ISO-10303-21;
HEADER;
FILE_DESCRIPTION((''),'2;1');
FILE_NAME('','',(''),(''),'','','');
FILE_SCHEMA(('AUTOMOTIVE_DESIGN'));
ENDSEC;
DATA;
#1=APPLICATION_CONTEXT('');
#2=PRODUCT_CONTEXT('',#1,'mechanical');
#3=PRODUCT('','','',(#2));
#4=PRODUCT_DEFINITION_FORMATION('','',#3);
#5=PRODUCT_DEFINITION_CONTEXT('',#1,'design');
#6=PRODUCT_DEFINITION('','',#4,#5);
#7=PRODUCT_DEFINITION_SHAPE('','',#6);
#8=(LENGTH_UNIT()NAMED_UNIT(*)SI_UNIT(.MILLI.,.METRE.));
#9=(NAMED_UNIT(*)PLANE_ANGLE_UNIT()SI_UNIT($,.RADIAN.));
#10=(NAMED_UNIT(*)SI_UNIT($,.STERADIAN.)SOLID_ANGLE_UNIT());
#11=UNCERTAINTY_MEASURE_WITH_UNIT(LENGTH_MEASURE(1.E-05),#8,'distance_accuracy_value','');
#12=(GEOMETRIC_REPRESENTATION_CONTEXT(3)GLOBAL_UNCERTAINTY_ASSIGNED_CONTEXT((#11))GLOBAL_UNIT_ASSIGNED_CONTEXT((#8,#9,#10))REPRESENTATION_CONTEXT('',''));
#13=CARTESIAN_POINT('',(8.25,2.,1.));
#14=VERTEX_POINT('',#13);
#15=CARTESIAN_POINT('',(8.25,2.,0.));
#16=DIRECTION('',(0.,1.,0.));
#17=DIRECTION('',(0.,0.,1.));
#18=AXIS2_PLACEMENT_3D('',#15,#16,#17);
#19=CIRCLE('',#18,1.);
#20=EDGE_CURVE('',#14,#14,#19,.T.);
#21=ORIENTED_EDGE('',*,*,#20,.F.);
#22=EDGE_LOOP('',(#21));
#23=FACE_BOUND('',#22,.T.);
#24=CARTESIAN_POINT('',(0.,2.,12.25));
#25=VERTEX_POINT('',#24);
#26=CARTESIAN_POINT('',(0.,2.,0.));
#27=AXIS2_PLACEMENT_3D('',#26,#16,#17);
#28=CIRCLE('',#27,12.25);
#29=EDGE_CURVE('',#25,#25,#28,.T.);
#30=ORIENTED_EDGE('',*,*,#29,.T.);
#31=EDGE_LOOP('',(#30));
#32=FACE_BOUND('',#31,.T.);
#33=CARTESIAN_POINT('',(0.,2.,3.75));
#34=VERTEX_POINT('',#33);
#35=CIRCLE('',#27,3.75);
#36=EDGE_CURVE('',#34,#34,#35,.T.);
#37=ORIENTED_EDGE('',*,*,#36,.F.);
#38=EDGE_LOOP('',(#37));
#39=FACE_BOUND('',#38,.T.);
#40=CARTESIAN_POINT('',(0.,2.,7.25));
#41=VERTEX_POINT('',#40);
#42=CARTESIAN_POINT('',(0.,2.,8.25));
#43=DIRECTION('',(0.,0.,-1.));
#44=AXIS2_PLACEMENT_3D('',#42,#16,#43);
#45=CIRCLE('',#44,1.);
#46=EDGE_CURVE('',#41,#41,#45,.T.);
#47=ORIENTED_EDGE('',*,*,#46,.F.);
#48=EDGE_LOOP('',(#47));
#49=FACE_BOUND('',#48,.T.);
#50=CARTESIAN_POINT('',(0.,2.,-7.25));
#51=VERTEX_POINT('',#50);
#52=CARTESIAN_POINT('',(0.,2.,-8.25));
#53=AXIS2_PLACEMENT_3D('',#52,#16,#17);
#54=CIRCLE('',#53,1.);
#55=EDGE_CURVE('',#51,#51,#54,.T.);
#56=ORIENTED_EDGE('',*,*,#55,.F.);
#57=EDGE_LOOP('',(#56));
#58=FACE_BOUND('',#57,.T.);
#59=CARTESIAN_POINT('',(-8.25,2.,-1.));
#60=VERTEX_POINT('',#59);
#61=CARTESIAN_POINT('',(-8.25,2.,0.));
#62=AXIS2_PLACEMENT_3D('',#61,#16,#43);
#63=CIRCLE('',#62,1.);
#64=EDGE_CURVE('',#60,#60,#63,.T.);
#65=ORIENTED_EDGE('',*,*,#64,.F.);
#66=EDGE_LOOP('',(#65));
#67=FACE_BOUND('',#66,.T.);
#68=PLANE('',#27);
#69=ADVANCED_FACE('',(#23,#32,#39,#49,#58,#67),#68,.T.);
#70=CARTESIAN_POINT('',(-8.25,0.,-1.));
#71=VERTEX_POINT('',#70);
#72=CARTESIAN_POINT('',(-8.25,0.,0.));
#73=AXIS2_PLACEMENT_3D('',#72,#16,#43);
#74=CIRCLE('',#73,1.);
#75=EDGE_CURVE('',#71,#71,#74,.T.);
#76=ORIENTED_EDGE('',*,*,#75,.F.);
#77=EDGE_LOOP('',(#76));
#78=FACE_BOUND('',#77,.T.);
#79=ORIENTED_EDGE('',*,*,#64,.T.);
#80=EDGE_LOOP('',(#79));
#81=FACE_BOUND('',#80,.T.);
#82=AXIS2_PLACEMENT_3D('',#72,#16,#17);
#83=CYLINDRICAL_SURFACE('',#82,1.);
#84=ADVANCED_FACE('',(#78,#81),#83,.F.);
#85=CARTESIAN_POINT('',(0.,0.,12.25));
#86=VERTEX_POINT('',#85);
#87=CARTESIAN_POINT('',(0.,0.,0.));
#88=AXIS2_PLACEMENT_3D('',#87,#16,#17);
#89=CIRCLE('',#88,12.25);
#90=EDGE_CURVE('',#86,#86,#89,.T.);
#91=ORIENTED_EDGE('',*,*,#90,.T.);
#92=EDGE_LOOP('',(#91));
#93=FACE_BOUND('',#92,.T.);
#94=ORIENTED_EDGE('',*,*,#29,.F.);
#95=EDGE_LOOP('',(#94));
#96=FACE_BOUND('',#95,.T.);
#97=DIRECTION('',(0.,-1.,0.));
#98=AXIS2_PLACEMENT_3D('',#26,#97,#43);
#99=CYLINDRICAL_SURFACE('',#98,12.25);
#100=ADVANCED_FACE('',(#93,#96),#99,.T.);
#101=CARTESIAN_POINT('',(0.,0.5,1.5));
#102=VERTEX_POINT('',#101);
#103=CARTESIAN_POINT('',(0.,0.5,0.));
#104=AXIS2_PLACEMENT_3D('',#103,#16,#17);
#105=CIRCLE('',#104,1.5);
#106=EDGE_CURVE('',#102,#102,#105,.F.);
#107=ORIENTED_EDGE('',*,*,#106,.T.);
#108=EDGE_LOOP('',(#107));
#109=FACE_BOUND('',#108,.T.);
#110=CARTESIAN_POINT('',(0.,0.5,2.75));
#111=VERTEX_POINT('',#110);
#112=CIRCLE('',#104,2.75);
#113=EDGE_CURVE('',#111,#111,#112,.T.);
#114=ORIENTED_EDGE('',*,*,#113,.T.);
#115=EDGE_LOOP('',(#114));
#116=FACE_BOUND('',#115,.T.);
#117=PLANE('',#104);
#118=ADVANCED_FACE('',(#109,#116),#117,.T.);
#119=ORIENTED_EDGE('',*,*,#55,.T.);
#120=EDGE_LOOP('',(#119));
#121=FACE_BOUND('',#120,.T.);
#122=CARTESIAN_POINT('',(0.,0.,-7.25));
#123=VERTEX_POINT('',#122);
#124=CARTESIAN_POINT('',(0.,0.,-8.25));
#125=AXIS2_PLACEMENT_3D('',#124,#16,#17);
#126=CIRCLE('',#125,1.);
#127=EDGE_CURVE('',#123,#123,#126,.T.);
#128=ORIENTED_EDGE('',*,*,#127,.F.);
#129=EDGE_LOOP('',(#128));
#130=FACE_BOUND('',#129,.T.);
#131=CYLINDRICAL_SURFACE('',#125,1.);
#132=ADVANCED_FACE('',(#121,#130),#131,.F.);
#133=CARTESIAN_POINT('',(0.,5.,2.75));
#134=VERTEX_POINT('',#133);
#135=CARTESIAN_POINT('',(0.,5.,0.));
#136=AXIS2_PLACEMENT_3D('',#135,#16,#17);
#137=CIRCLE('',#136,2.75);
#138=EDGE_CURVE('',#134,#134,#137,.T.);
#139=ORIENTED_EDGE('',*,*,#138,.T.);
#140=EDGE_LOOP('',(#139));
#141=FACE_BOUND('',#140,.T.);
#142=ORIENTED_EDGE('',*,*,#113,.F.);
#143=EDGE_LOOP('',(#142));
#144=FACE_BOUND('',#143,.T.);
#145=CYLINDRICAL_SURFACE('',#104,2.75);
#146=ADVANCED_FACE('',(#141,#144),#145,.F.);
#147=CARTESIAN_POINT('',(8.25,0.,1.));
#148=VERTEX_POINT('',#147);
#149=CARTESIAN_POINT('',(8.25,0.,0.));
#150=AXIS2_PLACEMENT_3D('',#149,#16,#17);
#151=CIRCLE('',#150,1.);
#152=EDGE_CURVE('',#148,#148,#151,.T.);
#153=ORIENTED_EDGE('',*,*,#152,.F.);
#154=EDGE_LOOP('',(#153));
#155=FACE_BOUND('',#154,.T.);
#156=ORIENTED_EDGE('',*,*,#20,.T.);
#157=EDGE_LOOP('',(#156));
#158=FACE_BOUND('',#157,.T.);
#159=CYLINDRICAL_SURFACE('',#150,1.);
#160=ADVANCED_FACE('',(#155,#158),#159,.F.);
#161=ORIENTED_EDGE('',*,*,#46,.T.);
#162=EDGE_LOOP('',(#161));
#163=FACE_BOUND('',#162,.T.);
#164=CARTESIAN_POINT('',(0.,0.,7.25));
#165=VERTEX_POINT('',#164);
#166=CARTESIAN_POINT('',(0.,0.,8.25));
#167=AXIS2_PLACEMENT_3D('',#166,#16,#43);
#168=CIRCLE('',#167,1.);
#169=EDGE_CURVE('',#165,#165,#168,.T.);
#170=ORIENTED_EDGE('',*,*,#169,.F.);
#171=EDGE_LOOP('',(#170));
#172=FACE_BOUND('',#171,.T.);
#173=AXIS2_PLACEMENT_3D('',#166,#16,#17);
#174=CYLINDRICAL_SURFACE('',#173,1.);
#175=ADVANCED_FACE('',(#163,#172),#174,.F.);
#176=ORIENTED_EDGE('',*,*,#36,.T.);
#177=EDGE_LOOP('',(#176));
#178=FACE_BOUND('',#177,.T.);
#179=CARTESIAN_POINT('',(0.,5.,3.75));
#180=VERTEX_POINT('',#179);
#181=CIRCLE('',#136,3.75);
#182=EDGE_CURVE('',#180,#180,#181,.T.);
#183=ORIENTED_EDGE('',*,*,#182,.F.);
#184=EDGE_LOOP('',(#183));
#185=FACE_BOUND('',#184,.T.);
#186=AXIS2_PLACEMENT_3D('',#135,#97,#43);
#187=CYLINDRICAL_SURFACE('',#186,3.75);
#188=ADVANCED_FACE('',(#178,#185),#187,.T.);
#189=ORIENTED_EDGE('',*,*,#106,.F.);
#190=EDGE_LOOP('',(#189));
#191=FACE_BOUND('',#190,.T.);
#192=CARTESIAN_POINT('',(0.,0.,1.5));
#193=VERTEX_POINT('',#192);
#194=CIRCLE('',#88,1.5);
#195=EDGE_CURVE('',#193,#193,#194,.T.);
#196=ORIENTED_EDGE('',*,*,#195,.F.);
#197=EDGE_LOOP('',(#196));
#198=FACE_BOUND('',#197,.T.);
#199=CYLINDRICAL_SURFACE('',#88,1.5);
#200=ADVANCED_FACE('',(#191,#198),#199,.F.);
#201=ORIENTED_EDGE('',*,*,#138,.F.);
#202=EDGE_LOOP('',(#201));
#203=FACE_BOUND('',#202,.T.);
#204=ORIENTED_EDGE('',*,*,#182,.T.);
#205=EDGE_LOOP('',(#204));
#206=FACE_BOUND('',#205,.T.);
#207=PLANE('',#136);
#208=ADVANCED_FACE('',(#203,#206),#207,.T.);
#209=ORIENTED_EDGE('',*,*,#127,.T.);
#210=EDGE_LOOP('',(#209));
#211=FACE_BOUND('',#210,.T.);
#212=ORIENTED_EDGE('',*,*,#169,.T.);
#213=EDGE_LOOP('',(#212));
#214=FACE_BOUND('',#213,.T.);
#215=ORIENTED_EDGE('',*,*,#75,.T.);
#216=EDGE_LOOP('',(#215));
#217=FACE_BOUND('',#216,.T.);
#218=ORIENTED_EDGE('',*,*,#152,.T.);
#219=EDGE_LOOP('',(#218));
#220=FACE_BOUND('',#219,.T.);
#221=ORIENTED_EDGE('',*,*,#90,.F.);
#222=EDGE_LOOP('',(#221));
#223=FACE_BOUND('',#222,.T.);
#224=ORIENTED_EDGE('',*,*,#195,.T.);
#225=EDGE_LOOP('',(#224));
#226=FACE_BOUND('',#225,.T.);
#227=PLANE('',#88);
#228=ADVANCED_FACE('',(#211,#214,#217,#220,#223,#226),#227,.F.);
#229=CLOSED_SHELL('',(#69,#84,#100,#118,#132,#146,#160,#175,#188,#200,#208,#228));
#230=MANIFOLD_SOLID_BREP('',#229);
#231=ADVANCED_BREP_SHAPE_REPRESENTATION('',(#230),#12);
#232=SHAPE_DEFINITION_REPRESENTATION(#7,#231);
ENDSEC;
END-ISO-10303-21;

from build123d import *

# Parameters (mm, degrees)
SKETCH2_R           = 12.25
BOSS_EXTRUDE1_DEPTH = 2
SKETCH3_R           = 1
CUT_EXTRUDE1_DEPTH  = 18.439180027
SKETCH4_R           = 3.75
BOSS_EXTRUDE2_DEPTH = 3
SKETCH5_R           = 1.5
CUT_EXTRUDE2_DEPTH  = 19.03122292
SKETCH6_R           = 2.75
CUT_EXTRUDE3_DEPTH  = 4.5


with BuildPart() as part:
    # Sketch2 → Boss-Extrude1 (new body)
    with BuildSketch(Plane(origin=(0, 0, 0), x_dir=(1, 0, 0), z_dir=(0, 1, 0))):
        with Locations(Location((0, 0, 0), (0, 0, 270))):
            Circle(SKETCH2_R)
    extrude(amount=BOSS_EXTRUDE1_DEPTH)

    # Sketch3 → Cut-Extrude1 (cut, through all)
    with BuildSketch(Plane(origin=(0, 2, 0), x_dir=(1, 0, 0), z_dir=(0, 1, 0))):
        with Locations(Location((0, 8.25, 0), (0, 0, 270))):
            Circle(SKETCH3_R)
        with Locations(Location((8.25, 0, 0), (0, 0, 270))):
            Circle(SKETCH3_R)
        with Locations(Location((0, -8.25, 0), (0, 0, 90))):
            Circle(SKETCH3_R)
        with Locations(Location((-8.25, 0, 0), (0, 0, 90))):
            Circle(SKETCH3_R)
    extrude(amount=-CUT_EXTRUDE1_DEPTH, mode=Mode.SUBTRACT)

    # Sketch4 → Boss-Extrude2 (add)
    with BuildSketch(Plane(origin=(0, 2, 0), x_dir=(1, 0, 0), z_dir=(0, 1, 0))):
        with Locations(Location((0, 0, 0), (0, 0, 270))):
            Circle(SKETCH4_R)
    extrude(amount=BOSS_EXTRUDE2_DEPTH)

    # Sketch5 → Cut-Extrude2 (cut, through all)
    with BuildSketch(Plane(origin=(0, 5, 0), x_dir=(1, 0, 0), z_dir=(0, 1, 0))):
        with Locations(Location((0, 0, 0), (0, 0, 270))):
            Circle(SKETCH5_R)
    extrude(amount=-CUT_EXTRUDE2_DEPTH, mode=Mode.SUBTRACT)

    # Sketch6 → Cut-Extrude3 (cut)
    with BuildSketch(Plane(origin=(0, 5, 0), x_dir=(1, 0, 0), z_dir=(0, 1, 0))):
        with Locations(Location((0, 0, 0), (0, 0, 270))):
            Circle(SKETCH6_R)
    extrude(amount=-CUT_EXTRUDE3_DEPTH, mode=Mode.SUBTRACT)


solid = part.part
